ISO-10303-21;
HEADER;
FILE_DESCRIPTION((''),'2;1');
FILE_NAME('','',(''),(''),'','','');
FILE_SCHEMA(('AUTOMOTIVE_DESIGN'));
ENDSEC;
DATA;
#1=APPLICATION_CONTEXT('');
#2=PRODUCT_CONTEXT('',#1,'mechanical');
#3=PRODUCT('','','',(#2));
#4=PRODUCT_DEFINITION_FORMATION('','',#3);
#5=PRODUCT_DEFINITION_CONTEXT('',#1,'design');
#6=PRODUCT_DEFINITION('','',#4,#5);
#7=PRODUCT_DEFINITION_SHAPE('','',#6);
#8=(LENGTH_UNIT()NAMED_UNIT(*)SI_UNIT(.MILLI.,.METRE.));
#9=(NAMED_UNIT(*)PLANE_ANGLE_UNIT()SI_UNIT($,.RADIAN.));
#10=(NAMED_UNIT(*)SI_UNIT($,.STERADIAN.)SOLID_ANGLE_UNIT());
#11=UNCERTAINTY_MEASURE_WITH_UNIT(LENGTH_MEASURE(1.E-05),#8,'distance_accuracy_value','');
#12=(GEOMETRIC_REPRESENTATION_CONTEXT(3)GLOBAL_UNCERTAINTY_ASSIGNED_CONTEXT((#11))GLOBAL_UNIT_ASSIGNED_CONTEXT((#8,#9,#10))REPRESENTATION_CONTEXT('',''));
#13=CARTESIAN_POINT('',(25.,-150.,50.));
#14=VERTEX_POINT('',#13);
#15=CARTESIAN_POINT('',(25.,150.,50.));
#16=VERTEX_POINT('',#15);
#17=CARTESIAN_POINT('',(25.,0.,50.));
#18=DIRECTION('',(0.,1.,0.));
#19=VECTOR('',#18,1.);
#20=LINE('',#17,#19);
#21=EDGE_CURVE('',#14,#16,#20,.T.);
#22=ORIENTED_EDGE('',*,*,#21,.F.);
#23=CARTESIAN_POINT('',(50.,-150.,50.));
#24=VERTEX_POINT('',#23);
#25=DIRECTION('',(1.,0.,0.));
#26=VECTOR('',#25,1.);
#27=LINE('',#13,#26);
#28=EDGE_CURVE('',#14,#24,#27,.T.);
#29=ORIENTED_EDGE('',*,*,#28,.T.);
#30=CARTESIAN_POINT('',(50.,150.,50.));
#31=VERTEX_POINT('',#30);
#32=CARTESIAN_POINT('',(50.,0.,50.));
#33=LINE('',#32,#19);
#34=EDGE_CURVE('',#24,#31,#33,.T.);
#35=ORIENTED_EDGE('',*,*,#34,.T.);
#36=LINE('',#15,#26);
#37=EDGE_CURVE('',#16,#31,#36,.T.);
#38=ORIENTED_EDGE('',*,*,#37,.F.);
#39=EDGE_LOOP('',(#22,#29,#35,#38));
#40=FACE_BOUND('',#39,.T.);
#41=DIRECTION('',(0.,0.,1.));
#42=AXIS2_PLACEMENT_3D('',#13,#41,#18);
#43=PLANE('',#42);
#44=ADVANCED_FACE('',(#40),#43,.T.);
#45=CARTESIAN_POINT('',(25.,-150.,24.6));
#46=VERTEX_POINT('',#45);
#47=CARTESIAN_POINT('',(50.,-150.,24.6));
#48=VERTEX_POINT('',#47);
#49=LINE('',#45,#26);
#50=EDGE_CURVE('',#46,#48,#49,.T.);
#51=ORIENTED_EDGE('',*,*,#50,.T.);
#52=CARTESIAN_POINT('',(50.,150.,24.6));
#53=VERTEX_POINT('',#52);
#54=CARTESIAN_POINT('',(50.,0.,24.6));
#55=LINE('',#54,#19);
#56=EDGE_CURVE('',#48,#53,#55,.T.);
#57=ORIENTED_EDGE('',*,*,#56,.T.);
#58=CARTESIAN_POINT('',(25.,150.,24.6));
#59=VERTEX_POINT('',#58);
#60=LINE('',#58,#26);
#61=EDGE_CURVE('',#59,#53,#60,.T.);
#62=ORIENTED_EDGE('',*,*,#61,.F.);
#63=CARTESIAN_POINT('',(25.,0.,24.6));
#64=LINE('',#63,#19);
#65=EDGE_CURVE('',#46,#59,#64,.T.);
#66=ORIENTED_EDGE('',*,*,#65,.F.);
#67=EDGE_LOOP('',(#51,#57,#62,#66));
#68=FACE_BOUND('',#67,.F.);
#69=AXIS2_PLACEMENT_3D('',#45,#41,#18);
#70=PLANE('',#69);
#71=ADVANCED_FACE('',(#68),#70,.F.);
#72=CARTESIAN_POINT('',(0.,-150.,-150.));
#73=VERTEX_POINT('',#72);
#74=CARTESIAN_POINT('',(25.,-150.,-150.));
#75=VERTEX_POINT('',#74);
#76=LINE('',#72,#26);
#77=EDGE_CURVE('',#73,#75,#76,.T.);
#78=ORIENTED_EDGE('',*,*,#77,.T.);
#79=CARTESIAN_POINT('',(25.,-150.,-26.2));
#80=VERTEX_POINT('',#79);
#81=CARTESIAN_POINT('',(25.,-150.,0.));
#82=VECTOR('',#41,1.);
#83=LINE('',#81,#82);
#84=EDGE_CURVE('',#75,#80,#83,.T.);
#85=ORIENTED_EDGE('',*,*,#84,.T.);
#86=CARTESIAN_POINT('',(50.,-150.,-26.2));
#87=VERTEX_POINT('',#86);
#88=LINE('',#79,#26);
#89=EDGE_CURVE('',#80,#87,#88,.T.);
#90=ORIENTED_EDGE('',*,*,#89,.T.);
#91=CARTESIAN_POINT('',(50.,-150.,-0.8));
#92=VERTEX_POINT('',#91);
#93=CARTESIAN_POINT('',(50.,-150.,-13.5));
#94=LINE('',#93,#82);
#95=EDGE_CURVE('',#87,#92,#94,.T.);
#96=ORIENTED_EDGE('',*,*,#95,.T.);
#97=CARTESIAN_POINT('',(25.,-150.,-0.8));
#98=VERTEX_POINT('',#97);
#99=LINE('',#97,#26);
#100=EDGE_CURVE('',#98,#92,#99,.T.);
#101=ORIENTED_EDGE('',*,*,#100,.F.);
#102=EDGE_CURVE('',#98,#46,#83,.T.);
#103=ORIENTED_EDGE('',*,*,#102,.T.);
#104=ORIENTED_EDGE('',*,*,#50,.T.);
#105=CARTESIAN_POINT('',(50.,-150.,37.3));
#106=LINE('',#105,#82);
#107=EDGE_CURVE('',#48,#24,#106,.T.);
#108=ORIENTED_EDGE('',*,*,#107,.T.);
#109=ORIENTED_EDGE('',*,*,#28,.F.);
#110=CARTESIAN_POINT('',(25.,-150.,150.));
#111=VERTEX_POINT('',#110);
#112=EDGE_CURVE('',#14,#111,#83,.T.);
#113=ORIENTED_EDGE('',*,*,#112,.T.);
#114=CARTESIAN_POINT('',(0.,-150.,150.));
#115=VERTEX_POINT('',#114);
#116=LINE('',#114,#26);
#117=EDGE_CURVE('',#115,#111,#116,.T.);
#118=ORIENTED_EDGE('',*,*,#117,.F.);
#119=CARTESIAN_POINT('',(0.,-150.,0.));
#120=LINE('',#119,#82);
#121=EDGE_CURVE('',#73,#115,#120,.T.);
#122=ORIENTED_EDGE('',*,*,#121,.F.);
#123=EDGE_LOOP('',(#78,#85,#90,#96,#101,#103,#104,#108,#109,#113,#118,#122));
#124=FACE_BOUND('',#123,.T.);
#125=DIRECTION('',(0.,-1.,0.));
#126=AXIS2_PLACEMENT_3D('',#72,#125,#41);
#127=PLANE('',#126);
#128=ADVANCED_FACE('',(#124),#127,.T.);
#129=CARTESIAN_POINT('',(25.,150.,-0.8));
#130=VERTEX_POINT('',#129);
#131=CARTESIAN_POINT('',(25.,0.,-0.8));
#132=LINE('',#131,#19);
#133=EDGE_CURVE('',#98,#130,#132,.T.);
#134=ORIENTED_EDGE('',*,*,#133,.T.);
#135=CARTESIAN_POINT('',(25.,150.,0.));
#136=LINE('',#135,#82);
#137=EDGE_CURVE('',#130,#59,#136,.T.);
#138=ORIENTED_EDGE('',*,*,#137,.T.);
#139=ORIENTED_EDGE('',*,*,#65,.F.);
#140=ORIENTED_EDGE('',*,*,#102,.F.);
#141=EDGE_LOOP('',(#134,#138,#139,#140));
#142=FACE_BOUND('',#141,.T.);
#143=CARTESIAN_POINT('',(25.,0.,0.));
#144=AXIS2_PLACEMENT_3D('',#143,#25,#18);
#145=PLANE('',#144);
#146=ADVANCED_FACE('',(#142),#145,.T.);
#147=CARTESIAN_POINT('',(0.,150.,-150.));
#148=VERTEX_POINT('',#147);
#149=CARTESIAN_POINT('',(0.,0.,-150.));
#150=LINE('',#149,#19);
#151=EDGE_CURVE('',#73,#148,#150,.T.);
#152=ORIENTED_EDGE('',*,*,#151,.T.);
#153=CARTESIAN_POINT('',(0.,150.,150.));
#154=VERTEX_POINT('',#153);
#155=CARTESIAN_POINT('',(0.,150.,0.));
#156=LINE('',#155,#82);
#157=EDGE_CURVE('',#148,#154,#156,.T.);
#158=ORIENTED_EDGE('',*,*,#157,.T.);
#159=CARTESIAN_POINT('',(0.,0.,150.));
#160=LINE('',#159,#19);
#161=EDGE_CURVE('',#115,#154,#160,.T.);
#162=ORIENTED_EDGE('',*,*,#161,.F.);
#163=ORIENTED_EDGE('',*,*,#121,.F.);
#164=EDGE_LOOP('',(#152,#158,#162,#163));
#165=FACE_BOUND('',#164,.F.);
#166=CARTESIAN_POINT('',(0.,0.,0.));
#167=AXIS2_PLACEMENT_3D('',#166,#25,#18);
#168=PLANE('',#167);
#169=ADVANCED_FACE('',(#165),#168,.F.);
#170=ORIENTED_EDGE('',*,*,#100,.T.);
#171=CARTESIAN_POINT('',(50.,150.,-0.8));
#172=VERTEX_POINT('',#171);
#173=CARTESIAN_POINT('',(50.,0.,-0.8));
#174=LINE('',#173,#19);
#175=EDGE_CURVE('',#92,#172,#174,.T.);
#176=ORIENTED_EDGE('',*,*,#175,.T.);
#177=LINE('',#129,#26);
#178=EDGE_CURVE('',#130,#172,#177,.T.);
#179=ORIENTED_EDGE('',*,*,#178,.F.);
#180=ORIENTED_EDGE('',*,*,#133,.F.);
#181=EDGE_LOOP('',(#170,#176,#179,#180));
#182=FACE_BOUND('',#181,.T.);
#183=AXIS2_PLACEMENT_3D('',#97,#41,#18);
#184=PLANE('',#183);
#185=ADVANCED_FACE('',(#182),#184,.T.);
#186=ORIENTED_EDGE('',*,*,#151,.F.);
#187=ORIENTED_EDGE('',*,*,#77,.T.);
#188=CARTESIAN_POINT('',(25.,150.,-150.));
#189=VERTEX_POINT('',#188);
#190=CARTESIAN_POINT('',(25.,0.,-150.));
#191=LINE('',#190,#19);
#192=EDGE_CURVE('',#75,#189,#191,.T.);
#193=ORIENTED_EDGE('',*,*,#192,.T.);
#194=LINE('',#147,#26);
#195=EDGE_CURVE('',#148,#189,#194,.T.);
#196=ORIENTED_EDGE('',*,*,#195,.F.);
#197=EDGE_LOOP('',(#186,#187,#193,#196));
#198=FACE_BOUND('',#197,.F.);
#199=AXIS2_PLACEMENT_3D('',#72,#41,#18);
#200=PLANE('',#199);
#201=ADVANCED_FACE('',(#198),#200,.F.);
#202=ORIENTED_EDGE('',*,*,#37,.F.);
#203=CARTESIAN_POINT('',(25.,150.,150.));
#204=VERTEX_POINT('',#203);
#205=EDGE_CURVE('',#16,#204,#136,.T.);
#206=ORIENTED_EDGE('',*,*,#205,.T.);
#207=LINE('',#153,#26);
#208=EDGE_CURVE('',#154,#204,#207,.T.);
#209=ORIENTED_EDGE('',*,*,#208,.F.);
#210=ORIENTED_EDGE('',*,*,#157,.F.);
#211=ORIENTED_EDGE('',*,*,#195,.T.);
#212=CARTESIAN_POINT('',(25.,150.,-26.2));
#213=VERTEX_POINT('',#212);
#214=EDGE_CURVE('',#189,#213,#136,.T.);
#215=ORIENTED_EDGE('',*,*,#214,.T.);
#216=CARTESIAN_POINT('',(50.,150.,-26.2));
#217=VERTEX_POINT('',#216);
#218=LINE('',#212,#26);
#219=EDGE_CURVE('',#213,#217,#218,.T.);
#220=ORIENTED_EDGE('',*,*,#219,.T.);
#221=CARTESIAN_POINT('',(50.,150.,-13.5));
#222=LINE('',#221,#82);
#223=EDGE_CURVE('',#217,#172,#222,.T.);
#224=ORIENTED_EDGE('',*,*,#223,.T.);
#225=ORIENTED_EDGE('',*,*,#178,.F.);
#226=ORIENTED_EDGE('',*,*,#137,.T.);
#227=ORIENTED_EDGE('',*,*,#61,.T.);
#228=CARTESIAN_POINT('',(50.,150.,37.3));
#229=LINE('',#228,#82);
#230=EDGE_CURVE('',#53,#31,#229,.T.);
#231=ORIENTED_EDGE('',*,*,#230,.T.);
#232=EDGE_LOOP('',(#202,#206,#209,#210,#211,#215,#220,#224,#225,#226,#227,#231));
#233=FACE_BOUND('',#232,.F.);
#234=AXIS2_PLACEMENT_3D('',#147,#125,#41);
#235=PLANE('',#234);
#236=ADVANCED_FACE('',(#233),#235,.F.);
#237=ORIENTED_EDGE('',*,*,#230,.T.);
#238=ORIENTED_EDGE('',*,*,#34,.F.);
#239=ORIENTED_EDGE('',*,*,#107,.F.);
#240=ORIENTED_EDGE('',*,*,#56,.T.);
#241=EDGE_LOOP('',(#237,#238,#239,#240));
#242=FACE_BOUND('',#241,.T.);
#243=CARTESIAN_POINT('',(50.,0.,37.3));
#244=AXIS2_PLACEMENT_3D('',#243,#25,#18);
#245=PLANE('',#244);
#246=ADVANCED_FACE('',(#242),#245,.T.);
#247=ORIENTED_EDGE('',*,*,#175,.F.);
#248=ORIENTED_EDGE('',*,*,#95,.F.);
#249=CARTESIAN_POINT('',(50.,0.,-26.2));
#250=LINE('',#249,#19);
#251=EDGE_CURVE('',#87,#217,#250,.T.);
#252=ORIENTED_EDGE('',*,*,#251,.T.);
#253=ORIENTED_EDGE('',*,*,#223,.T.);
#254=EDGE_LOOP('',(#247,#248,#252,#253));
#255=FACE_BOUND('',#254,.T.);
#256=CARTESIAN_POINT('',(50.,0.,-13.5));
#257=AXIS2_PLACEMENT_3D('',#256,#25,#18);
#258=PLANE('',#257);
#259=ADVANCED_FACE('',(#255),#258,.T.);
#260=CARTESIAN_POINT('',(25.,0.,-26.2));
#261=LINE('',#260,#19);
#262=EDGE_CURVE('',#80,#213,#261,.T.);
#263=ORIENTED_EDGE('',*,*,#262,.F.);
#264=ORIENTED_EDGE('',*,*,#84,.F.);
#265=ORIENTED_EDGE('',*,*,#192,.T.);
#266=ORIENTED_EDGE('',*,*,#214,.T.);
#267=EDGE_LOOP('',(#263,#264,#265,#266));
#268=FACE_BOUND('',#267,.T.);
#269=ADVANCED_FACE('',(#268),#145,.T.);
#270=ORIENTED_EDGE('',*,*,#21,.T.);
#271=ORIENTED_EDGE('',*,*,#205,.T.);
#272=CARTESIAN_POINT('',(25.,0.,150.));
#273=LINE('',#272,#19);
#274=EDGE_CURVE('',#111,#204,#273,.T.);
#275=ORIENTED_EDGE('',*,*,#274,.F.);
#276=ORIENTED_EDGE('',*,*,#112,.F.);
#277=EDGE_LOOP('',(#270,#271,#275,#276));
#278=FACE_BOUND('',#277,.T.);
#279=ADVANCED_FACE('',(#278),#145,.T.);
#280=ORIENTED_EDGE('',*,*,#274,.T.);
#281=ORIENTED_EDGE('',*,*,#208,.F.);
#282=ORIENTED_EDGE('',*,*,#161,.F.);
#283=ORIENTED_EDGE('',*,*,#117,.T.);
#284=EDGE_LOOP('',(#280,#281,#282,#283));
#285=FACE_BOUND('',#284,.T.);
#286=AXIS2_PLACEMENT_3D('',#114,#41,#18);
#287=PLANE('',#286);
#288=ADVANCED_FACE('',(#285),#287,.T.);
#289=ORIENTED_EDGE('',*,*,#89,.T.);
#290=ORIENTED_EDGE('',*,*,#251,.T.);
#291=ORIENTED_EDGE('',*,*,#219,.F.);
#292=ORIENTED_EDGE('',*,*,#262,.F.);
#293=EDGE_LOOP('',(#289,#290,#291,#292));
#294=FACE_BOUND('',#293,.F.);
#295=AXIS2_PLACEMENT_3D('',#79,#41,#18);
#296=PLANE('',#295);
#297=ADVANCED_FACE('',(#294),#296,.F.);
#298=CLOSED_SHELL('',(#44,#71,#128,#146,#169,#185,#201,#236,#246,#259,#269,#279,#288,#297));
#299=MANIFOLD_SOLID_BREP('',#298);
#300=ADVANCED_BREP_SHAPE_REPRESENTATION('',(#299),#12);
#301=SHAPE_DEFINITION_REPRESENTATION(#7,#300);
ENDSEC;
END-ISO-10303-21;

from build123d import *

# Parameters (mm, degrees)
F0_W     = 300
F0_H     = 300
F1_DEPTH = 25
F2_W     = 300
F2_H     = 25.4
F3_DEPTH = 25


with BuildPart() as f1:
    # F0 (on Right) → F1 (new body)
    with BuildSketch(Plane.YZ):
        Rectangle(F0_W, F0_H)
    extrude(amount=F1_DEPTH)

    # F2 (on face) → F3 (join)
    with BuildSketch(Plane.YZ.offset(25)):
        with Locations((0, -13.5)):
            Rectangle(F2_W, F2_H)
        with Locations((0, 37.3)):
            Rectangle(F2_W, F2_H)
    extrude(amount=F3_DEPTH)


solid = f1.part
